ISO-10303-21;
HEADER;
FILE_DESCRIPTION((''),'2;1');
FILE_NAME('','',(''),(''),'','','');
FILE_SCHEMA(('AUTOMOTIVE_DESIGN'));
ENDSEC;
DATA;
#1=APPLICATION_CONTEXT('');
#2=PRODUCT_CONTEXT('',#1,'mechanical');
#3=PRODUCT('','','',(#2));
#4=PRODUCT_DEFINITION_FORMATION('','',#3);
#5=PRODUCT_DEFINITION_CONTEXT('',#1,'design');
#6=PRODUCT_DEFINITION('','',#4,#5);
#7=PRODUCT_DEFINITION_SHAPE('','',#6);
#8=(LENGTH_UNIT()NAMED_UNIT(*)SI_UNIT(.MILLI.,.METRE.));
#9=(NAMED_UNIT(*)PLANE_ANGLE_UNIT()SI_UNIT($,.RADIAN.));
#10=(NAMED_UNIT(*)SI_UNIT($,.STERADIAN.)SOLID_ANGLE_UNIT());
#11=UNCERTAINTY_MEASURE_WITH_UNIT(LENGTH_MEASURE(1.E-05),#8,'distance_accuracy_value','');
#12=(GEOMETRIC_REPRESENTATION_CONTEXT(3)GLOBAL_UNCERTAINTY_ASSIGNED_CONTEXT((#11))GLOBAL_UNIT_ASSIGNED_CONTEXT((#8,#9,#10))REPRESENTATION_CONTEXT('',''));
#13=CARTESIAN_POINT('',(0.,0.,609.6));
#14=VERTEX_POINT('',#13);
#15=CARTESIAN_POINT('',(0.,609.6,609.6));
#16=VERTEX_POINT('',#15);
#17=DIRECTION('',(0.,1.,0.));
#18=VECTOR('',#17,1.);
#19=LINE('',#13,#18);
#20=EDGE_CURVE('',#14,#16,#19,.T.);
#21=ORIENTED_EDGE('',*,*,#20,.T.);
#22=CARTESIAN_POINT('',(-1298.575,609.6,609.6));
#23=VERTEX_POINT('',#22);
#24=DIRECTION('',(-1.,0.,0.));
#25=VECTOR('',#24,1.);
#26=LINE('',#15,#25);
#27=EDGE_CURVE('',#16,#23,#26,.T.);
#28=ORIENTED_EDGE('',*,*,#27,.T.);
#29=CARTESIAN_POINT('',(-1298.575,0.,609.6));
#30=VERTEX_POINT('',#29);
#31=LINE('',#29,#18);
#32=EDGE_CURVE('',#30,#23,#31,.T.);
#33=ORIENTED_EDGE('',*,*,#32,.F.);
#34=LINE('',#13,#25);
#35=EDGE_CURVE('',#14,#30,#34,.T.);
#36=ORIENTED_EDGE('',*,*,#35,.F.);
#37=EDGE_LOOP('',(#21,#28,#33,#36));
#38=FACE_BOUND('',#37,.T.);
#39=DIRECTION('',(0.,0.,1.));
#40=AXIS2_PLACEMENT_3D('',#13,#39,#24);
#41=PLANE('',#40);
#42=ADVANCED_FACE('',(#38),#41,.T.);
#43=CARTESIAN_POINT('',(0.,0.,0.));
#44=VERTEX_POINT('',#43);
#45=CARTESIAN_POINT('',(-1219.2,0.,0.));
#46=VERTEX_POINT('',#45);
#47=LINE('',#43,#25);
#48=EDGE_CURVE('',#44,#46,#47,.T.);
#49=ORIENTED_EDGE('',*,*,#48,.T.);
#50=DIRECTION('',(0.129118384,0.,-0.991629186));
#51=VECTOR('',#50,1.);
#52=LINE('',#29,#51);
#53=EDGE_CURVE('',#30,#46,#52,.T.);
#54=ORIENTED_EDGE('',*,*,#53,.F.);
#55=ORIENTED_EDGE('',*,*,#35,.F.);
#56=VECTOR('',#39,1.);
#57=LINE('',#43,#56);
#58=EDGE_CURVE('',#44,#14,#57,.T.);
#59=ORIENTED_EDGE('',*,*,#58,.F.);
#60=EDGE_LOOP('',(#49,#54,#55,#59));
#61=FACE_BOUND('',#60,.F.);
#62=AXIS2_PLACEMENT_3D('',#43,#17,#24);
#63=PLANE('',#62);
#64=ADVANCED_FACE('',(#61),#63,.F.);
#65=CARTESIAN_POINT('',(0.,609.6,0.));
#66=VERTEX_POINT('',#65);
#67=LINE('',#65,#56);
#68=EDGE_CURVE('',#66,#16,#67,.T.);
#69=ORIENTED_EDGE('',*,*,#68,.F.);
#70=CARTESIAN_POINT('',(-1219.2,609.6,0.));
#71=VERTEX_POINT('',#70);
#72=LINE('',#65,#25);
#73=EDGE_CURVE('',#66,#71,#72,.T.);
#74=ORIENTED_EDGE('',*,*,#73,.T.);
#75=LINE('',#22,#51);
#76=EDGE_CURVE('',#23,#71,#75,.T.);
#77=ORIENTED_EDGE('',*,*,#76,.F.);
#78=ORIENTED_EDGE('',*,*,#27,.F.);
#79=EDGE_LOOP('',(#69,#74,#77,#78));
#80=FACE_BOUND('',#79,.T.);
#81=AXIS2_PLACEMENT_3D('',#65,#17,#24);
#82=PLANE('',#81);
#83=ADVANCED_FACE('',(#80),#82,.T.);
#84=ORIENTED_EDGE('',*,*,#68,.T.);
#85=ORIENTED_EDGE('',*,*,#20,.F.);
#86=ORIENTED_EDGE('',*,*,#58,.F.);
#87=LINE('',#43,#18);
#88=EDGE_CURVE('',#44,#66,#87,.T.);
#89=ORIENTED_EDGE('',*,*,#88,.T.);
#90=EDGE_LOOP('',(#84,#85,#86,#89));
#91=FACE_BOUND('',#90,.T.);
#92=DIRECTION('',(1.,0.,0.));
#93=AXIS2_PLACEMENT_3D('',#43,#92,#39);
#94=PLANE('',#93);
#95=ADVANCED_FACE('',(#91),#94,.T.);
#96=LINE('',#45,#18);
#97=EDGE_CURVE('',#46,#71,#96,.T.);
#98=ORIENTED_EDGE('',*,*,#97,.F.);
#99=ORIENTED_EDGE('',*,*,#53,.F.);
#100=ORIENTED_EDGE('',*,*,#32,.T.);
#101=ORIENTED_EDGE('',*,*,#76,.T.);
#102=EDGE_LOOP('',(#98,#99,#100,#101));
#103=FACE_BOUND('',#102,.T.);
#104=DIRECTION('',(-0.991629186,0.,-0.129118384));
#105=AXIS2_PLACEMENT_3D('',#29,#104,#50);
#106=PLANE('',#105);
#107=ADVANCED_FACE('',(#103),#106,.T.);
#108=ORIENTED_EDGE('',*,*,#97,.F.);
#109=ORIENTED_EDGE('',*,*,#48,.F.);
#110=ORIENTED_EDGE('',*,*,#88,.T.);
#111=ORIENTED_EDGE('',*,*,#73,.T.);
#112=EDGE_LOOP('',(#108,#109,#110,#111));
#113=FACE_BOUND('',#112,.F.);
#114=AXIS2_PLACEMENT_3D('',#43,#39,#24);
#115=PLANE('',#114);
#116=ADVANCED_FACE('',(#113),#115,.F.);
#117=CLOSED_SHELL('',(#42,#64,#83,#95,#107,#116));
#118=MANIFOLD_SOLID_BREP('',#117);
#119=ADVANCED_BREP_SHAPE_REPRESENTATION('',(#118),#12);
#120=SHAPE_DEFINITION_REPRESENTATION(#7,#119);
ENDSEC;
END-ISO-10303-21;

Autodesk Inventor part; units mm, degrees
ref_plane "YZ Plane" through (0, 0, 0) normal (1, 0, 0) x (0, 1, 0)
ref_plane "XZ Plane" through (0, 0, 0) normal (0, 1, 0) x (-1, 0, 0)
ref_plane "XY Plane" through (0, 0, 0) normal (0, 0, 1) x (1, 0, 0)
sketch "Sketch1" plane through (0, 0, 0) normal (0, 1, 0) x (-1, 0, 0)
  line L0 (0, 0) -> (1219.2, 0)
  line L1 (0, 0) -> (0, 609.6)
  line L2 (0, 609.6) -> (1298.575, 609.6)
  line L3 (1298.575, 609.6) -> (1219.2, 0)
  dimension "d0" = 1219.2
  dimension "d1" = 609.6
  dimension "d2" = 1298.575
extrude "Extrusion1" add sketch "Sketch1" along normal blind 609.6
properties part number "B - 2" material "Granite, Cut, Polished"
